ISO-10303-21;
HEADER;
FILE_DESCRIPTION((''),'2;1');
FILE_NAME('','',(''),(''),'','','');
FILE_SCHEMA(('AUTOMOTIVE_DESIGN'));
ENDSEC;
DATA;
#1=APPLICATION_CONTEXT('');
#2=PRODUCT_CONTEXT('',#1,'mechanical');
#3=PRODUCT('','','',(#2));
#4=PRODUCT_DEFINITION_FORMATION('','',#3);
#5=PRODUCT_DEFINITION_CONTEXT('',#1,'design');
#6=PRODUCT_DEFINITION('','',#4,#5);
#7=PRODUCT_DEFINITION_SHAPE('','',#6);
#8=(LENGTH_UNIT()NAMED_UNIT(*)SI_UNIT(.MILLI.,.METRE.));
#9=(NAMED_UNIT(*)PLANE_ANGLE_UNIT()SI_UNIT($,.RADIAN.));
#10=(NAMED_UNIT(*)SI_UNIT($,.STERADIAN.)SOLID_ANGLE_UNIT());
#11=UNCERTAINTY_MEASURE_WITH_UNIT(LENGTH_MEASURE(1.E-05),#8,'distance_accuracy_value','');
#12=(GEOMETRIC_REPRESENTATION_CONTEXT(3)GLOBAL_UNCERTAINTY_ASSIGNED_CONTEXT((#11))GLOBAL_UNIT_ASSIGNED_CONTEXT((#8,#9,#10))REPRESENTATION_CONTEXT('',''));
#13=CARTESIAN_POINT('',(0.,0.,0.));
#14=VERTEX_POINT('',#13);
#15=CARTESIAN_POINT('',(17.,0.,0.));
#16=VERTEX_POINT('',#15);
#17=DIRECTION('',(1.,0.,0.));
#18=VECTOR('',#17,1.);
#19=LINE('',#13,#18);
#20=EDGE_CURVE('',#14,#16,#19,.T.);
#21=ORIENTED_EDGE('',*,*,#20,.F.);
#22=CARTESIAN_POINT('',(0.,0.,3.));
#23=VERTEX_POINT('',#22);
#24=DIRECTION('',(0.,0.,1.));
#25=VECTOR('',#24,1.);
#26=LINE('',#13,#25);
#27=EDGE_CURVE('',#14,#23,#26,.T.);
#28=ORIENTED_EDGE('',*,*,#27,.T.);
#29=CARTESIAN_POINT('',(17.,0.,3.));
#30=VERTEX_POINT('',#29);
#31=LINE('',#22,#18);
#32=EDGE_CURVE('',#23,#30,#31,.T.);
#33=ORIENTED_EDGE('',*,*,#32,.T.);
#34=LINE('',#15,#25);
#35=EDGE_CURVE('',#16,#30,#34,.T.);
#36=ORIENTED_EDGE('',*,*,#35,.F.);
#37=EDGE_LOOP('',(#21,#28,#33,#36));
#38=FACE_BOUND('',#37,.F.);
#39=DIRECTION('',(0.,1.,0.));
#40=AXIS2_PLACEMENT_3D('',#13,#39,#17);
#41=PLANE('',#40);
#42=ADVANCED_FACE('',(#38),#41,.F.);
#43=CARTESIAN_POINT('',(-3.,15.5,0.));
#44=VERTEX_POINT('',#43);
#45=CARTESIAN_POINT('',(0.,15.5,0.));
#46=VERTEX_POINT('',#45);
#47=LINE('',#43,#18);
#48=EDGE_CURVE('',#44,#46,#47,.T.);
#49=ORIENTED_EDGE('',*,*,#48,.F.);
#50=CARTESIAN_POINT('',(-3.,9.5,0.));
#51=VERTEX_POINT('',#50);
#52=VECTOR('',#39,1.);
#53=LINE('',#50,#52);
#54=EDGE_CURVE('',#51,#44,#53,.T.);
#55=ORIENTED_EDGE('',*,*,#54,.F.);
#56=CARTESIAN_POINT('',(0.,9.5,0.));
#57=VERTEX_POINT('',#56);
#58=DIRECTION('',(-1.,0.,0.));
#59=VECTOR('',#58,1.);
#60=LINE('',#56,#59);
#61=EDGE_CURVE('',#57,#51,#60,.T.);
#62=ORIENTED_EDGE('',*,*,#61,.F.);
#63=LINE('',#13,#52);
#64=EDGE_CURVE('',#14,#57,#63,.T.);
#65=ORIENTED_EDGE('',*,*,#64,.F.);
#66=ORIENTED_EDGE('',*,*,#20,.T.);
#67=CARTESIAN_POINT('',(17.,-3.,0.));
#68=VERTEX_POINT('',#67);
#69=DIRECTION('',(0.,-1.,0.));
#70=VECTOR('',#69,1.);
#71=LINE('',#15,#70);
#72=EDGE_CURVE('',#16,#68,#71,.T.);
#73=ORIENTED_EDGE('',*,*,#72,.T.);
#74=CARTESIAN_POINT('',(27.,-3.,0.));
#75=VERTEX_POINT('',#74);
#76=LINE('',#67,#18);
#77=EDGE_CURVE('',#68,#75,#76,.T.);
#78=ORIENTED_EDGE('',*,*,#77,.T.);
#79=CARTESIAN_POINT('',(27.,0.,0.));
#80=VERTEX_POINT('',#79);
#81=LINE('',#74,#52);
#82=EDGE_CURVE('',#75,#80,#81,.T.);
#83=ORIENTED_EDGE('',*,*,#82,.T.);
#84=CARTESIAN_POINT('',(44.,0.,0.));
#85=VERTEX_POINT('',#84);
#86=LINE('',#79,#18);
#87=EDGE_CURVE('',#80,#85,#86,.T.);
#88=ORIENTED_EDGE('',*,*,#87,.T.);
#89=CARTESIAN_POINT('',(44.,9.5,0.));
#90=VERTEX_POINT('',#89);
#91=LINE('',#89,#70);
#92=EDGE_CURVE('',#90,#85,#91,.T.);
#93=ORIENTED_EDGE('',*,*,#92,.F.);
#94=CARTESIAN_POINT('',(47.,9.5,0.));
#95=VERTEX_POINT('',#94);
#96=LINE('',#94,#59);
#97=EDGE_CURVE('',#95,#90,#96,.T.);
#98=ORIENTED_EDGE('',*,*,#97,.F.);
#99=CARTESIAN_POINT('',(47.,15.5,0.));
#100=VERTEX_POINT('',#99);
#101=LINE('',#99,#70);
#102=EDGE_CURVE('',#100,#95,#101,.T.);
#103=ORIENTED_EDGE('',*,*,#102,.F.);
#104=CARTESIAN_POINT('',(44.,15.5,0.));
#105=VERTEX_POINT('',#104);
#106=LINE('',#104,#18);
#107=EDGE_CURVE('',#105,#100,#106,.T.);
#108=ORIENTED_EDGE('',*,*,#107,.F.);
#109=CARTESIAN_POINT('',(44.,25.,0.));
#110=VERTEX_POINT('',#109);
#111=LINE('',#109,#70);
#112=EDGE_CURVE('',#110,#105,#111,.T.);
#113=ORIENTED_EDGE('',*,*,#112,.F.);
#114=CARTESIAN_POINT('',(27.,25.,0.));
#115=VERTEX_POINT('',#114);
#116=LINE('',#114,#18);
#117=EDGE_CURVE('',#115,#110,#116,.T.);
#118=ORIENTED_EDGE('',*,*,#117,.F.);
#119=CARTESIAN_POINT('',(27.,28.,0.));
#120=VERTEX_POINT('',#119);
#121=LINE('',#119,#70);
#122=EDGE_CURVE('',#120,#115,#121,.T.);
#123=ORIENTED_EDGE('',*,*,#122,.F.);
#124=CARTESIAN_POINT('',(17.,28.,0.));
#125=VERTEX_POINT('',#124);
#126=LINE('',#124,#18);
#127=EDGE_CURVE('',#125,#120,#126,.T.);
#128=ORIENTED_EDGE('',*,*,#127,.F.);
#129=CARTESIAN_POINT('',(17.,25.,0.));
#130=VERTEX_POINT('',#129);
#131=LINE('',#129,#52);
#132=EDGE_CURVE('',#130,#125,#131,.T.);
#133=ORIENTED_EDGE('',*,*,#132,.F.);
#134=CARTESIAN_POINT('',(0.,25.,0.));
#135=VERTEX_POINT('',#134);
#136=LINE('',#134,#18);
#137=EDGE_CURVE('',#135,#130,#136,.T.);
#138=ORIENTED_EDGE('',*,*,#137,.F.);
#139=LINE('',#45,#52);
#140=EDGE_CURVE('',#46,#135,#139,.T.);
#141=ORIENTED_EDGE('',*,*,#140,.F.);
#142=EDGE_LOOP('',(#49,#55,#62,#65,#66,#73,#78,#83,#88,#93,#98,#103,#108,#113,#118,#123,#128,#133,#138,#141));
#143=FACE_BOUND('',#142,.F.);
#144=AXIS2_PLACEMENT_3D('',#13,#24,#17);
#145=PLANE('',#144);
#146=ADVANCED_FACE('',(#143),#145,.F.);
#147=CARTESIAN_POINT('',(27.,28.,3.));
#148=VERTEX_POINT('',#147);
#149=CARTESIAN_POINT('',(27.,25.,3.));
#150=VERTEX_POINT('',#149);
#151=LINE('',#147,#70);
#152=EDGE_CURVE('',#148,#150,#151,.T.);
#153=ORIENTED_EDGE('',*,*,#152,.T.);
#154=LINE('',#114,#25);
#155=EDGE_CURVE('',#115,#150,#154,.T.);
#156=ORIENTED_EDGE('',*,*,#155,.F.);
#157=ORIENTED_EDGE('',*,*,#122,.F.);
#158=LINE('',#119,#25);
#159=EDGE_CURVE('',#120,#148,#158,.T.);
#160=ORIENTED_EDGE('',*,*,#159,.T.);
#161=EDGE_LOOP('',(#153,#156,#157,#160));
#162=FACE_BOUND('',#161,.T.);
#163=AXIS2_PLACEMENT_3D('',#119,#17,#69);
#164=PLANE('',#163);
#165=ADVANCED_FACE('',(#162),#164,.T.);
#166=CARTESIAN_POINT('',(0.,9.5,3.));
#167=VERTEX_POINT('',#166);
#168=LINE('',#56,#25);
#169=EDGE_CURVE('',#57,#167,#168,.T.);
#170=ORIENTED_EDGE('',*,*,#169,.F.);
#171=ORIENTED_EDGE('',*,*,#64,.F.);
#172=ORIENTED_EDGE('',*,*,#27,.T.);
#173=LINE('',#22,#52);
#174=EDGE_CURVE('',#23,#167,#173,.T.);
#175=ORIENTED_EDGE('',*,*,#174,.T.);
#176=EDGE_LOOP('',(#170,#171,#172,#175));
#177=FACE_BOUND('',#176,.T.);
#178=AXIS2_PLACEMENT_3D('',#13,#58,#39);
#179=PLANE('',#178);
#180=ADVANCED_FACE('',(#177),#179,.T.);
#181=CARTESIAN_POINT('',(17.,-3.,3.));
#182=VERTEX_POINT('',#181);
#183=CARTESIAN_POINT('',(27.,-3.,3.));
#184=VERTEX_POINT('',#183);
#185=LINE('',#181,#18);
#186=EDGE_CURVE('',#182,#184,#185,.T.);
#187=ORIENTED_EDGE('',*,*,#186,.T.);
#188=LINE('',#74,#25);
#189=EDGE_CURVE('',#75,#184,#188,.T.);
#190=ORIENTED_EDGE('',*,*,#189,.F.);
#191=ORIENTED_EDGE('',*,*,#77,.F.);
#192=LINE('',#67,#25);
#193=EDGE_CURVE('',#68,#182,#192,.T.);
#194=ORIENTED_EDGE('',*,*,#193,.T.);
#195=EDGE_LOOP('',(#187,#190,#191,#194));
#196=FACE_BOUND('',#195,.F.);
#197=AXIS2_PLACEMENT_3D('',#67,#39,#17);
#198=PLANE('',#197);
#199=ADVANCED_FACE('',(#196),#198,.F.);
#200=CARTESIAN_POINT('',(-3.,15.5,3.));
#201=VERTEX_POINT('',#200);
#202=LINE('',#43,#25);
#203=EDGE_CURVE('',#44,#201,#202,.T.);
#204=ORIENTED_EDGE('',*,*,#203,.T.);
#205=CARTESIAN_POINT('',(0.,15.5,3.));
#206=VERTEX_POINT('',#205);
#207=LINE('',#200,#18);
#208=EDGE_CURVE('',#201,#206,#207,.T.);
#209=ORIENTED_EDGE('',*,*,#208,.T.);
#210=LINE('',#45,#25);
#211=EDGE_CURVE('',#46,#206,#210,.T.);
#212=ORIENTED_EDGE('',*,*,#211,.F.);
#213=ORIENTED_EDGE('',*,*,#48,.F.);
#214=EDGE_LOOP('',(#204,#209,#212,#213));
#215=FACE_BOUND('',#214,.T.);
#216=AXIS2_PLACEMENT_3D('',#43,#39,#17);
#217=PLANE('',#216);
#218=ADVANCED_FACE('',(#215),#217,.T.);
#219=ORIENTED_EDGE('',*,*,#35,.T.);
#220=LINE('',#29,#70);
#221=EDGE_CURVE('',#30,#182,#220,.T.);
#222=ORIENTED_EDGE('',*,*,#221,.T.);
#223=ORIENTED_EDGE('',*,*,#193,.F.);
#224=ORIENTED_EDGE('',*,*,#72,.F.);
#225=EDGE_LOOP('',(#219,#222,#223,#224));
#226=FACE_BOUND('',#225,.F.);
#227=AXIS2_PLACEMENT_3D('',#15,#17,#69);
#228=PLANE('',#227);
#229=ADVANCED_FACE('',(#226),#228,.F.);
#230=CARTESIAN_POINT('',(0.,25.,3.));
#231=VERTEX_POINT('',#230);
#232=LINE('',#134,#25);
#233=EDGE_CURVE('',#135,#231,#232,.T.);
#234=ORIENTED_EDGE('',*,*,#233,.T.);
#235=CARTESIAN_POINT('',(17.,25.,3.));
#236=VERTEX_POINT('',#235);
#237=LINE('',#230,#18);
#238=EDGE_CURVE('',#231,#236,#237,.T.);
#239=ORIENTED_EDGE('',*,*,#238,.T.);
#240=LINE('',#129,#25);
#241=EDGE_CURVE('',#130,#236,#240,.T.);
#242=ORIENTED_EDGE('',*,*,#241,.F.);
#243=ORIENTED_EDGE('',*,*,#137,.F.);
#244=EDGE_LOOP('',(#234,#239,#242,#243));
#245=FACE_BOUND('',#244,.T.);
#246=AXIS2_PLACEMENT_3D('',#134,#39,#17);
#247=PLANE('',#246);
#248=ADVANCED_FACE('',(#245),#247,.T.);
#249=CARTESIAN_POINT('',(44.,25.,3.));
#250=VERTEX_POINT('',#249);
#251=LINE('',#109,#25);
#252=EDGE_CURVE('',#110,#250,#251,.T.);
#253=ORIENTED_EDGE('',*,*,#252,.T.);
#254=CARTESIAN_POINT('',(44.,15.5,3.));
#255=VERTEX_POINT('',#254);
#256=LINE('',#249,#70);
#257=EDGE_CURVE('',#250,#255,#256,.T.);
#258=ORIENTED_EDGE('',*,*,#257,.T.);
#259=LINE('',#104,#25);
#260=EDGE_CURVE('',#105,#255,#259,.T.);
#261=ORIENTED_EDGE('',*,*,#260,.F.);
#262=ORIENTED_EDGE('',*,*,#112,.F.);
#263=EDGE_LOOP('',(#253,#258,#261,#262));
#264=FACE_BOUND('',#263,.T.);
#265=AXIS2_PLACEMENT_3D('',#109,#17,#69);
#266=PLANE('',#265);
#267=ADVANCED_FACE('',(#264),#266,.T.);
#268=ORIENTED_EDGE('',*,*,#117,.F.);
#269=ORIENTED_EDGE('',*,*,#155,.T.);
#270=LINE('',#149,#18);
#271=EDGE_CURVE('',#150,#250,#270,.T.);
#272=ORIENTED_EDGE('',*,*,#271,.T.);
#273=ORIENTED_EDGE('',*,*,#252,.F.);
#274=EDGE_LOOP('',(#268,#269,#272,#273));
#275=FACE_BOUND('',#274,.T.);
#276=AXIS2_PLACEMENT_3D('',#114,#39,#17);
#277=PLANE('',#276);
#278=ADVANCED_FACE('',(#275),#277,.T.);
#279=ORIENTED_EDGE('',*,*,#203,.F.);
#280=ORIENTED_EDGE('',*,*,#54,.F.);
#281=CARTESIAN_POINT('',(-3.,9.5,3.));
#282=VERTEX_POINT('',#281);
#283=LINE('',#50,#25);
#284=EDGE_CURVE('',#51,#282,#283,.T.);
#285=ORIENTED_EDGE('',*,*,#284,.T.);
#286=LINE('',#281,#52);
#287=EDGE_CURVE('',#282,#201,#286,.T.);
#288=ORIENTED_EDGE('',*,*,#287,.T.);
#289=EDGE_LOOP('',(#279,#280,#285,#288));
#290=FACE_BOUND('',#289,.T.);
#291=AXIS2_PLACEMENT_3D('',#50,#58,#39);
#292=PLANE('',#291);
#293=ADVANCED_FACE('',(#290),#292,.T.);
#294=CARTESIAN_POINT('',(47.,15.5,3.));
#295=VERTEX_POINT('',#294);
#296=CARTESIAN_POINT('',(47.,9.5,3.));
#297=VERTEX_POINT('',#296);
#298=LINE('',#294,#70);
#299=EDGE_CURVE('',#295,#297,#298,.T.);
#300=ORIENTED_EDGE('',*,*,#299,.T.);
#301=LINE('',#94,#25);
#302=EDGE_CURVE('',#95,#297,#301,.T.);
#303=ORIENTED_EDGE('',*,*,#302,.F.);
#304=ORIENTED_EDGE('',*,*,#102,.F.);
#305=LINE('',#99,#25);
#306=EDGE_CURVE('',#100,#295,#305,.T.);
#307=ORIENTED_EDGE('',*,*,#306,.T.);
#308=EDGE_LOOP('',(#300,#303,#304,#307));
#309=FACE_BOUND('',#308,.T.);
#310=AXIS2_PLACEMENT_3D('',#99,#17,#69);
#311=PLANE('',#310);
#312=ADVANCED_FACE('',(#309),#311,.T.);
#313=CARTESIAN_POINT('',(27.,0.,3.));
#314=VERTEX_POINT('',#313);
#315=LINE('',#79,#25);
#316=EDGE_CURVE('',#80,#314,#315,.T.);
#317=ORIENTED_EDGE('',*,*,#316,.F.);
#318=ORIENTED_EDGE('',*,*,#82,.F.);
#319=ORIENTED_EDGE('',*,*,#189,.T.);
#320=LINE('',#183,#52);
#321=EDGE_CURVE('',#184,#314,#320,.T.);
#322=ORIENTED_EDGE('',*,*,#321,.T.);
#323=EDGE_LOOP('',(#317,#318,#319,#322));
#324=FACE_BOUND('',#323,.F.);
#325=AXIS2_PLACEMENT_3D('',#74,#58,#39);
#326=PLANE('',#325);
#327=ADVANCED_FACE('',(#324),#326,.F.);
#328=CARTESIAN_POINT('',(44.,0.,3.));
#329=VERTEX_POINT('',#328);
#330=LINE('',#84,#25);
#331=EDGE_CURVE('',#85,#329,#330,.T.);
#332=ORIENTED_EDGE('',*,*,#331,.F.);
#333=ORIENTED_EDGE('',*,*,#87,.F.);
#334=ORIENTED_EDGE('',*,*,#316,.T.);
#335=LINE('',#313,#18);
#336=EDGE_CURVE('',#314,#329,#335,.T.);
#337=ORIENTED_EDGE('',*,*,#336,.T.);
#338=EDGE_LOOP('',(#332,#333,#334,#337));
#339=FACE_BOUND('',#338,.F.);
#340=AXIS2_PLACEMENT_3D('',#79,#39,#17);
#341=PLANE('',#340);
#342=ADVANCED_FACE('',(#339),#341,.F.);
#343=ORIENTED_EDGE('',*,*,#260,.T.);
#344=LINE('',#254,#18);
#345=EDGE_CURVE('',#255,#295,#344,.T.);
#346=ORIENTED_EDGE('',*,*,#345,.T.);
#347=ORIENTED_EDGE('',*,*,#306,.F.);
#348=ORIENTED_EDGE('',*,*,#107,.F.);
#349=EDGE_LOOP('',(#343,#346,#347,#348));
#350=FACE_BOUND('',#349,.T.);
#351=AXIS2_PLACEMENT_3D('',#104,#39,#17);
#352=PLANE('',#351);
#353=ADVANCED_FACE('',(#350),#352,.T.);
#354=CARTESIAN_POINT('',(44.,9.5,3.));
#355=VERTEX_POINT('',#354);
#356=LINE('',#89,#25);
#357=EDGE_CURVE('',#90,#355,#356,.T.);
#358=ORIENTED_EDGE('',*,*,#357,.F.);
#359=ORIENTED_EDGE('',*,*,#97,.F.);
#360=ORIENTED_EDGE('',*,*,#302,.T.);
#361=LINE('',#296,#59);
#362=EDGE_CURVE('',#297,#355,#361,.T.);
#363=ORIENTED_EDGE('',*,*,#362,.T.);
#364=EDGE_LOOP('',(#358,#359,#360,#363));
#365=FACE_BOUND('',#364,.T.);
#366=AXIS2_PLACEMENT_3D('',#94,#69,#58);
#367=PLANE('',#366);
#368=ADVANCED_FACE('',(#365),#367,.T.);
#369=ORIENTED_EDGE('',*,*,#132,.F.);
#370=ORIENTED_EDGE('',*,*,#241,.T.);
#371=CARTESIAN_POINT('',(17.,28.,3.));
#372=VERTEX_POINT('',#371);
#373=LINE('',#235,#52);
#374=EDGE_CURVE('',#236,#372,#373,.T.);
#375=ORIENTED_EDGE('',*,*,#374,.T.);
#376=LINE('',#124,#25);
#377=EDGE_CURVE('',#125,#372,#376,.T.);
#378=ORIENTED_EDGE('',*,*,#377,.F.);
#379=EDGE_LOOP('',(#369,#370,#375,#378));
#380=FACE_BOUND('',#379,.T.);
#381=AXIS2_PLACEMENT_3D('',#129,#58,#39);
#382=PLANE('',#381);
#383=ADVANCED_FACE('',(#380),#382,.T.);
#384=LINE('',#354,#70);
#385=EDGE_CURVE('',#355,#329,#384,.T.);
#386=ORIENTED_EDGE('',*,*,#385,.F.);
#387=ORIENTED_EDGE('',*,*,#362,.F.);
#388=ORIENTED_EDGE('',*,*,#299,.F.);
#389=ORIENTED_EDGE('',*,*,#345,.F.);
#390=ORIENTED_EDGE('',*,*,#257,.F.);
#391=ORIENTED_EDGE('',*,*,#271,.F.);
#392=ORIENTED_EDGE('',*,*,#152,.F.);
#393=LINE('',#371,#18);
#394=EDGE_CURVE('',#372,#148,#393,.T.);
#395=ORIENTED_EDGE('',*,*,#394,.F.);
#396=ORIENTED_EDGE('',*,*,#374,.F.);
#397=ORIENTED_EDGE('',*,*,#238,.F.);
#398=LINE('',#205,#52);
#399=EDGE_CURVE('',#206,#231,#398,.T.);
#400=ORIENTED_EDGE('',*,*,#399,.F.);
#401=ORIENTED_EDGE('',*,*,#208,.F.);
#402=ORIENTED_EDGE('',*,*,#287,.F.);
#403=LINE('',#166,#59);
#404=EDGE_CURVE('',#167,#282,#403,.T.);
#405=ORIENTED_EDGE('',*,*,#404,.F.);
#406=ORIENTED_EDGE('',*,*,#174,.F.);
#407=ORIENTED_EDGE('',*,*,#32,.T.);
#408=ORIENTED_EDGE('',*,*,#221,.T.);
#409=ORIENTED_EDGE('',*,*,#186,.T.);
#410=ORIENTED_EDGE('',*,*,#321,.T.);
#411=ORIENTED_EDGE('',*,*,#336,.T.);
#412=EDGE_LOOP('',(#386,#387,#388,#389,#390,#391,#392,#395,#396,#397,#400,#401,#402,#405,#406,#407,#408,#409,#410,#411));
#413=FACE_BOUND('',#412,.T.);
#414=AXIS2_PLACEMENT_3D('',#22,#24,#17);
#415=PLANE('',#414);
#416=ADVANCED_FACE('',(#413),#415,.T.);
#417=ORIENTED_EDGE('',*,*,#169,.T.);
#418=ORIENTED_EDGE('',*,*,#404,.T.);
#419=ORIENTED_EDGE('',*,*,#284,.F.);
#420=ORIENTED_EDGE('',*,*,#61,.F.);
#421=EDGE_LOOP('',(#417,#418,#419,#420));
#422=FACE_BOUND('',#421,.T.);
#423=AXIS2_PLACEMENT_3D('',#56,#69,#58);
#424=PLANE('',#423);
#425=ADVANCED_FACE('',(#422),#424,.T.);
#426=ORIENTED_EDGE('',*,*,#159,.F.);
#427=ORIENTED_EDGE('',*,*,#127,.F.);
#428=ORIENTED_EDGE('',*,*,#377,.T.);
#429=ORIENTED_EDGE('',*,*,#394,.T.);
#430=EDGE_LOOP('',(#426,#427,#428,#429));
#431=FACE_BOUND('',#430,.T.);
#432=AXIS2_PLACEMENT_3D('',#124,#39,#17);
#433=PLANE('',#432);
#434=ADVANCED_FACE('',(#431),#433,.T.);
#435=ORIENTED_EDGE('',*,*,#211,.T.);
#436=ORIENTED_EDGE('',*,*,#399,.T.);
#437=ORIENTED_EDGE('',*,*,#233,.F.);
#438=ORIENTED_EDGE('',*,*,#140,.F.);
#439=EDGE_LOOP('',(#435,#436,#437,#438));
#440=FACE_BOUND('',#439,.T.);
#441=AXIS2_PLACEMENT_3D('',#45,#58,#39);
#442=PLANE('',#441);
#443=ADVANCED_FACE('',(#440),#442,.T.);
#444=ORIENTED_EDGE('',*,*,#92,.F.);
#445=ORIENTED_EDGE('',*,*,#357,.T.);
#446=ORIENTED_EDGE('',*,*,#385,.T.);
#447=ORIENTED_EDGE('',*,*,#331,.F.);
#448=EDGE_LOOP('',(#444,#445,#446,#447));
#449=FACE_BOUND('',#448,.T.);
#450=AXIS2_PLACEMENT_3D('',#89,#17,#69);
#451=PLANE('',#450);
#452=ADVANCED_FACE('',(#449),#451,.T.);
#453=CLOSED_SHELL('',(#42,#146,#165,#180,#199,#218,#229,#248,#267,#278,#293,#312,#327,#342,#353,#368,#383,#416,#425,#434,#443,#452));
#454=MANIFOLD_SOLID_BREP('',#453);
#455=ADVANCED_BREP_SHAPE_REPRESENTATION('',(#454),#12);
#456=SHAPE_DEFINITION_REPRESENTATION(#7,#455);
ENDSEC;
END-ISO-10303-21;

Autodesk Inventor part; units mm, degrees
ref_plane "YZ Plane" through (0, 0, 0) normal (1, 0, 0) x (0, 1, 0)
ref_plane "XZ Plane" through (0, 0, 0) normal (0, 1, 0) x (-1, 0, 0)
ref_plane "XY Plane" through (0, 0, 0) normal (0, 0, 1) x (1, 0, 0)
sketch "Sketch1" plane through (0, 0, 0) normal (0, 0, 1) x (1, 0, 0)
  line L0 (0, 9.5) -> (-3, 9.5)
  line L1 (-3, 9.5) -> (-3, 15.5)
  line L2 (-3, 15.5) -> (0, 15.5)
  line L3 (0, 15.5) -> (0, 25)
  line L4 (44, 25) -> (44, 15.5)
  line L5 (44, 15.5) -> (47, 15.5)
  line L6 (47, 15.5) -> (47, 9.5)
  line L7 (47, 9.5) -> (44, 9.5)
  line L8 (44, 9.5) -> (44, 0)
  line L9 (0, 0) -> (0, 9.5)
  line L10 (0, 25) -> (17, 25)
  line L11 (17, 25) -> (17, 28)
  line L12 (17, 28) -> (27, 28)
  line L13 (27, 28) -> (27, 25)
  line L14 (27, 25) -> (44, 25)
  line L15 (0, 0) -> (17, 0)
  line L16 (17, 0) -> (17, -3)
  line L17 (17, -3) -> (27, -3)
  line L18 (27, -3) -> (27, 0)
  line L19 (27, 0) -> (44, 0)
  dimension "d0" = 6
  dimension "d1" = 3
  dimension "d2" = 3
  dimension "d3" = 6
  dimension "d4" = 50
  dimension "d5" = 3
  dimension "d6" = 10
  dimension "d7" = 3
  dimension "d14" = 25
extrude "Extrusion1" add sketch "Sketch1" along normal blind 3
